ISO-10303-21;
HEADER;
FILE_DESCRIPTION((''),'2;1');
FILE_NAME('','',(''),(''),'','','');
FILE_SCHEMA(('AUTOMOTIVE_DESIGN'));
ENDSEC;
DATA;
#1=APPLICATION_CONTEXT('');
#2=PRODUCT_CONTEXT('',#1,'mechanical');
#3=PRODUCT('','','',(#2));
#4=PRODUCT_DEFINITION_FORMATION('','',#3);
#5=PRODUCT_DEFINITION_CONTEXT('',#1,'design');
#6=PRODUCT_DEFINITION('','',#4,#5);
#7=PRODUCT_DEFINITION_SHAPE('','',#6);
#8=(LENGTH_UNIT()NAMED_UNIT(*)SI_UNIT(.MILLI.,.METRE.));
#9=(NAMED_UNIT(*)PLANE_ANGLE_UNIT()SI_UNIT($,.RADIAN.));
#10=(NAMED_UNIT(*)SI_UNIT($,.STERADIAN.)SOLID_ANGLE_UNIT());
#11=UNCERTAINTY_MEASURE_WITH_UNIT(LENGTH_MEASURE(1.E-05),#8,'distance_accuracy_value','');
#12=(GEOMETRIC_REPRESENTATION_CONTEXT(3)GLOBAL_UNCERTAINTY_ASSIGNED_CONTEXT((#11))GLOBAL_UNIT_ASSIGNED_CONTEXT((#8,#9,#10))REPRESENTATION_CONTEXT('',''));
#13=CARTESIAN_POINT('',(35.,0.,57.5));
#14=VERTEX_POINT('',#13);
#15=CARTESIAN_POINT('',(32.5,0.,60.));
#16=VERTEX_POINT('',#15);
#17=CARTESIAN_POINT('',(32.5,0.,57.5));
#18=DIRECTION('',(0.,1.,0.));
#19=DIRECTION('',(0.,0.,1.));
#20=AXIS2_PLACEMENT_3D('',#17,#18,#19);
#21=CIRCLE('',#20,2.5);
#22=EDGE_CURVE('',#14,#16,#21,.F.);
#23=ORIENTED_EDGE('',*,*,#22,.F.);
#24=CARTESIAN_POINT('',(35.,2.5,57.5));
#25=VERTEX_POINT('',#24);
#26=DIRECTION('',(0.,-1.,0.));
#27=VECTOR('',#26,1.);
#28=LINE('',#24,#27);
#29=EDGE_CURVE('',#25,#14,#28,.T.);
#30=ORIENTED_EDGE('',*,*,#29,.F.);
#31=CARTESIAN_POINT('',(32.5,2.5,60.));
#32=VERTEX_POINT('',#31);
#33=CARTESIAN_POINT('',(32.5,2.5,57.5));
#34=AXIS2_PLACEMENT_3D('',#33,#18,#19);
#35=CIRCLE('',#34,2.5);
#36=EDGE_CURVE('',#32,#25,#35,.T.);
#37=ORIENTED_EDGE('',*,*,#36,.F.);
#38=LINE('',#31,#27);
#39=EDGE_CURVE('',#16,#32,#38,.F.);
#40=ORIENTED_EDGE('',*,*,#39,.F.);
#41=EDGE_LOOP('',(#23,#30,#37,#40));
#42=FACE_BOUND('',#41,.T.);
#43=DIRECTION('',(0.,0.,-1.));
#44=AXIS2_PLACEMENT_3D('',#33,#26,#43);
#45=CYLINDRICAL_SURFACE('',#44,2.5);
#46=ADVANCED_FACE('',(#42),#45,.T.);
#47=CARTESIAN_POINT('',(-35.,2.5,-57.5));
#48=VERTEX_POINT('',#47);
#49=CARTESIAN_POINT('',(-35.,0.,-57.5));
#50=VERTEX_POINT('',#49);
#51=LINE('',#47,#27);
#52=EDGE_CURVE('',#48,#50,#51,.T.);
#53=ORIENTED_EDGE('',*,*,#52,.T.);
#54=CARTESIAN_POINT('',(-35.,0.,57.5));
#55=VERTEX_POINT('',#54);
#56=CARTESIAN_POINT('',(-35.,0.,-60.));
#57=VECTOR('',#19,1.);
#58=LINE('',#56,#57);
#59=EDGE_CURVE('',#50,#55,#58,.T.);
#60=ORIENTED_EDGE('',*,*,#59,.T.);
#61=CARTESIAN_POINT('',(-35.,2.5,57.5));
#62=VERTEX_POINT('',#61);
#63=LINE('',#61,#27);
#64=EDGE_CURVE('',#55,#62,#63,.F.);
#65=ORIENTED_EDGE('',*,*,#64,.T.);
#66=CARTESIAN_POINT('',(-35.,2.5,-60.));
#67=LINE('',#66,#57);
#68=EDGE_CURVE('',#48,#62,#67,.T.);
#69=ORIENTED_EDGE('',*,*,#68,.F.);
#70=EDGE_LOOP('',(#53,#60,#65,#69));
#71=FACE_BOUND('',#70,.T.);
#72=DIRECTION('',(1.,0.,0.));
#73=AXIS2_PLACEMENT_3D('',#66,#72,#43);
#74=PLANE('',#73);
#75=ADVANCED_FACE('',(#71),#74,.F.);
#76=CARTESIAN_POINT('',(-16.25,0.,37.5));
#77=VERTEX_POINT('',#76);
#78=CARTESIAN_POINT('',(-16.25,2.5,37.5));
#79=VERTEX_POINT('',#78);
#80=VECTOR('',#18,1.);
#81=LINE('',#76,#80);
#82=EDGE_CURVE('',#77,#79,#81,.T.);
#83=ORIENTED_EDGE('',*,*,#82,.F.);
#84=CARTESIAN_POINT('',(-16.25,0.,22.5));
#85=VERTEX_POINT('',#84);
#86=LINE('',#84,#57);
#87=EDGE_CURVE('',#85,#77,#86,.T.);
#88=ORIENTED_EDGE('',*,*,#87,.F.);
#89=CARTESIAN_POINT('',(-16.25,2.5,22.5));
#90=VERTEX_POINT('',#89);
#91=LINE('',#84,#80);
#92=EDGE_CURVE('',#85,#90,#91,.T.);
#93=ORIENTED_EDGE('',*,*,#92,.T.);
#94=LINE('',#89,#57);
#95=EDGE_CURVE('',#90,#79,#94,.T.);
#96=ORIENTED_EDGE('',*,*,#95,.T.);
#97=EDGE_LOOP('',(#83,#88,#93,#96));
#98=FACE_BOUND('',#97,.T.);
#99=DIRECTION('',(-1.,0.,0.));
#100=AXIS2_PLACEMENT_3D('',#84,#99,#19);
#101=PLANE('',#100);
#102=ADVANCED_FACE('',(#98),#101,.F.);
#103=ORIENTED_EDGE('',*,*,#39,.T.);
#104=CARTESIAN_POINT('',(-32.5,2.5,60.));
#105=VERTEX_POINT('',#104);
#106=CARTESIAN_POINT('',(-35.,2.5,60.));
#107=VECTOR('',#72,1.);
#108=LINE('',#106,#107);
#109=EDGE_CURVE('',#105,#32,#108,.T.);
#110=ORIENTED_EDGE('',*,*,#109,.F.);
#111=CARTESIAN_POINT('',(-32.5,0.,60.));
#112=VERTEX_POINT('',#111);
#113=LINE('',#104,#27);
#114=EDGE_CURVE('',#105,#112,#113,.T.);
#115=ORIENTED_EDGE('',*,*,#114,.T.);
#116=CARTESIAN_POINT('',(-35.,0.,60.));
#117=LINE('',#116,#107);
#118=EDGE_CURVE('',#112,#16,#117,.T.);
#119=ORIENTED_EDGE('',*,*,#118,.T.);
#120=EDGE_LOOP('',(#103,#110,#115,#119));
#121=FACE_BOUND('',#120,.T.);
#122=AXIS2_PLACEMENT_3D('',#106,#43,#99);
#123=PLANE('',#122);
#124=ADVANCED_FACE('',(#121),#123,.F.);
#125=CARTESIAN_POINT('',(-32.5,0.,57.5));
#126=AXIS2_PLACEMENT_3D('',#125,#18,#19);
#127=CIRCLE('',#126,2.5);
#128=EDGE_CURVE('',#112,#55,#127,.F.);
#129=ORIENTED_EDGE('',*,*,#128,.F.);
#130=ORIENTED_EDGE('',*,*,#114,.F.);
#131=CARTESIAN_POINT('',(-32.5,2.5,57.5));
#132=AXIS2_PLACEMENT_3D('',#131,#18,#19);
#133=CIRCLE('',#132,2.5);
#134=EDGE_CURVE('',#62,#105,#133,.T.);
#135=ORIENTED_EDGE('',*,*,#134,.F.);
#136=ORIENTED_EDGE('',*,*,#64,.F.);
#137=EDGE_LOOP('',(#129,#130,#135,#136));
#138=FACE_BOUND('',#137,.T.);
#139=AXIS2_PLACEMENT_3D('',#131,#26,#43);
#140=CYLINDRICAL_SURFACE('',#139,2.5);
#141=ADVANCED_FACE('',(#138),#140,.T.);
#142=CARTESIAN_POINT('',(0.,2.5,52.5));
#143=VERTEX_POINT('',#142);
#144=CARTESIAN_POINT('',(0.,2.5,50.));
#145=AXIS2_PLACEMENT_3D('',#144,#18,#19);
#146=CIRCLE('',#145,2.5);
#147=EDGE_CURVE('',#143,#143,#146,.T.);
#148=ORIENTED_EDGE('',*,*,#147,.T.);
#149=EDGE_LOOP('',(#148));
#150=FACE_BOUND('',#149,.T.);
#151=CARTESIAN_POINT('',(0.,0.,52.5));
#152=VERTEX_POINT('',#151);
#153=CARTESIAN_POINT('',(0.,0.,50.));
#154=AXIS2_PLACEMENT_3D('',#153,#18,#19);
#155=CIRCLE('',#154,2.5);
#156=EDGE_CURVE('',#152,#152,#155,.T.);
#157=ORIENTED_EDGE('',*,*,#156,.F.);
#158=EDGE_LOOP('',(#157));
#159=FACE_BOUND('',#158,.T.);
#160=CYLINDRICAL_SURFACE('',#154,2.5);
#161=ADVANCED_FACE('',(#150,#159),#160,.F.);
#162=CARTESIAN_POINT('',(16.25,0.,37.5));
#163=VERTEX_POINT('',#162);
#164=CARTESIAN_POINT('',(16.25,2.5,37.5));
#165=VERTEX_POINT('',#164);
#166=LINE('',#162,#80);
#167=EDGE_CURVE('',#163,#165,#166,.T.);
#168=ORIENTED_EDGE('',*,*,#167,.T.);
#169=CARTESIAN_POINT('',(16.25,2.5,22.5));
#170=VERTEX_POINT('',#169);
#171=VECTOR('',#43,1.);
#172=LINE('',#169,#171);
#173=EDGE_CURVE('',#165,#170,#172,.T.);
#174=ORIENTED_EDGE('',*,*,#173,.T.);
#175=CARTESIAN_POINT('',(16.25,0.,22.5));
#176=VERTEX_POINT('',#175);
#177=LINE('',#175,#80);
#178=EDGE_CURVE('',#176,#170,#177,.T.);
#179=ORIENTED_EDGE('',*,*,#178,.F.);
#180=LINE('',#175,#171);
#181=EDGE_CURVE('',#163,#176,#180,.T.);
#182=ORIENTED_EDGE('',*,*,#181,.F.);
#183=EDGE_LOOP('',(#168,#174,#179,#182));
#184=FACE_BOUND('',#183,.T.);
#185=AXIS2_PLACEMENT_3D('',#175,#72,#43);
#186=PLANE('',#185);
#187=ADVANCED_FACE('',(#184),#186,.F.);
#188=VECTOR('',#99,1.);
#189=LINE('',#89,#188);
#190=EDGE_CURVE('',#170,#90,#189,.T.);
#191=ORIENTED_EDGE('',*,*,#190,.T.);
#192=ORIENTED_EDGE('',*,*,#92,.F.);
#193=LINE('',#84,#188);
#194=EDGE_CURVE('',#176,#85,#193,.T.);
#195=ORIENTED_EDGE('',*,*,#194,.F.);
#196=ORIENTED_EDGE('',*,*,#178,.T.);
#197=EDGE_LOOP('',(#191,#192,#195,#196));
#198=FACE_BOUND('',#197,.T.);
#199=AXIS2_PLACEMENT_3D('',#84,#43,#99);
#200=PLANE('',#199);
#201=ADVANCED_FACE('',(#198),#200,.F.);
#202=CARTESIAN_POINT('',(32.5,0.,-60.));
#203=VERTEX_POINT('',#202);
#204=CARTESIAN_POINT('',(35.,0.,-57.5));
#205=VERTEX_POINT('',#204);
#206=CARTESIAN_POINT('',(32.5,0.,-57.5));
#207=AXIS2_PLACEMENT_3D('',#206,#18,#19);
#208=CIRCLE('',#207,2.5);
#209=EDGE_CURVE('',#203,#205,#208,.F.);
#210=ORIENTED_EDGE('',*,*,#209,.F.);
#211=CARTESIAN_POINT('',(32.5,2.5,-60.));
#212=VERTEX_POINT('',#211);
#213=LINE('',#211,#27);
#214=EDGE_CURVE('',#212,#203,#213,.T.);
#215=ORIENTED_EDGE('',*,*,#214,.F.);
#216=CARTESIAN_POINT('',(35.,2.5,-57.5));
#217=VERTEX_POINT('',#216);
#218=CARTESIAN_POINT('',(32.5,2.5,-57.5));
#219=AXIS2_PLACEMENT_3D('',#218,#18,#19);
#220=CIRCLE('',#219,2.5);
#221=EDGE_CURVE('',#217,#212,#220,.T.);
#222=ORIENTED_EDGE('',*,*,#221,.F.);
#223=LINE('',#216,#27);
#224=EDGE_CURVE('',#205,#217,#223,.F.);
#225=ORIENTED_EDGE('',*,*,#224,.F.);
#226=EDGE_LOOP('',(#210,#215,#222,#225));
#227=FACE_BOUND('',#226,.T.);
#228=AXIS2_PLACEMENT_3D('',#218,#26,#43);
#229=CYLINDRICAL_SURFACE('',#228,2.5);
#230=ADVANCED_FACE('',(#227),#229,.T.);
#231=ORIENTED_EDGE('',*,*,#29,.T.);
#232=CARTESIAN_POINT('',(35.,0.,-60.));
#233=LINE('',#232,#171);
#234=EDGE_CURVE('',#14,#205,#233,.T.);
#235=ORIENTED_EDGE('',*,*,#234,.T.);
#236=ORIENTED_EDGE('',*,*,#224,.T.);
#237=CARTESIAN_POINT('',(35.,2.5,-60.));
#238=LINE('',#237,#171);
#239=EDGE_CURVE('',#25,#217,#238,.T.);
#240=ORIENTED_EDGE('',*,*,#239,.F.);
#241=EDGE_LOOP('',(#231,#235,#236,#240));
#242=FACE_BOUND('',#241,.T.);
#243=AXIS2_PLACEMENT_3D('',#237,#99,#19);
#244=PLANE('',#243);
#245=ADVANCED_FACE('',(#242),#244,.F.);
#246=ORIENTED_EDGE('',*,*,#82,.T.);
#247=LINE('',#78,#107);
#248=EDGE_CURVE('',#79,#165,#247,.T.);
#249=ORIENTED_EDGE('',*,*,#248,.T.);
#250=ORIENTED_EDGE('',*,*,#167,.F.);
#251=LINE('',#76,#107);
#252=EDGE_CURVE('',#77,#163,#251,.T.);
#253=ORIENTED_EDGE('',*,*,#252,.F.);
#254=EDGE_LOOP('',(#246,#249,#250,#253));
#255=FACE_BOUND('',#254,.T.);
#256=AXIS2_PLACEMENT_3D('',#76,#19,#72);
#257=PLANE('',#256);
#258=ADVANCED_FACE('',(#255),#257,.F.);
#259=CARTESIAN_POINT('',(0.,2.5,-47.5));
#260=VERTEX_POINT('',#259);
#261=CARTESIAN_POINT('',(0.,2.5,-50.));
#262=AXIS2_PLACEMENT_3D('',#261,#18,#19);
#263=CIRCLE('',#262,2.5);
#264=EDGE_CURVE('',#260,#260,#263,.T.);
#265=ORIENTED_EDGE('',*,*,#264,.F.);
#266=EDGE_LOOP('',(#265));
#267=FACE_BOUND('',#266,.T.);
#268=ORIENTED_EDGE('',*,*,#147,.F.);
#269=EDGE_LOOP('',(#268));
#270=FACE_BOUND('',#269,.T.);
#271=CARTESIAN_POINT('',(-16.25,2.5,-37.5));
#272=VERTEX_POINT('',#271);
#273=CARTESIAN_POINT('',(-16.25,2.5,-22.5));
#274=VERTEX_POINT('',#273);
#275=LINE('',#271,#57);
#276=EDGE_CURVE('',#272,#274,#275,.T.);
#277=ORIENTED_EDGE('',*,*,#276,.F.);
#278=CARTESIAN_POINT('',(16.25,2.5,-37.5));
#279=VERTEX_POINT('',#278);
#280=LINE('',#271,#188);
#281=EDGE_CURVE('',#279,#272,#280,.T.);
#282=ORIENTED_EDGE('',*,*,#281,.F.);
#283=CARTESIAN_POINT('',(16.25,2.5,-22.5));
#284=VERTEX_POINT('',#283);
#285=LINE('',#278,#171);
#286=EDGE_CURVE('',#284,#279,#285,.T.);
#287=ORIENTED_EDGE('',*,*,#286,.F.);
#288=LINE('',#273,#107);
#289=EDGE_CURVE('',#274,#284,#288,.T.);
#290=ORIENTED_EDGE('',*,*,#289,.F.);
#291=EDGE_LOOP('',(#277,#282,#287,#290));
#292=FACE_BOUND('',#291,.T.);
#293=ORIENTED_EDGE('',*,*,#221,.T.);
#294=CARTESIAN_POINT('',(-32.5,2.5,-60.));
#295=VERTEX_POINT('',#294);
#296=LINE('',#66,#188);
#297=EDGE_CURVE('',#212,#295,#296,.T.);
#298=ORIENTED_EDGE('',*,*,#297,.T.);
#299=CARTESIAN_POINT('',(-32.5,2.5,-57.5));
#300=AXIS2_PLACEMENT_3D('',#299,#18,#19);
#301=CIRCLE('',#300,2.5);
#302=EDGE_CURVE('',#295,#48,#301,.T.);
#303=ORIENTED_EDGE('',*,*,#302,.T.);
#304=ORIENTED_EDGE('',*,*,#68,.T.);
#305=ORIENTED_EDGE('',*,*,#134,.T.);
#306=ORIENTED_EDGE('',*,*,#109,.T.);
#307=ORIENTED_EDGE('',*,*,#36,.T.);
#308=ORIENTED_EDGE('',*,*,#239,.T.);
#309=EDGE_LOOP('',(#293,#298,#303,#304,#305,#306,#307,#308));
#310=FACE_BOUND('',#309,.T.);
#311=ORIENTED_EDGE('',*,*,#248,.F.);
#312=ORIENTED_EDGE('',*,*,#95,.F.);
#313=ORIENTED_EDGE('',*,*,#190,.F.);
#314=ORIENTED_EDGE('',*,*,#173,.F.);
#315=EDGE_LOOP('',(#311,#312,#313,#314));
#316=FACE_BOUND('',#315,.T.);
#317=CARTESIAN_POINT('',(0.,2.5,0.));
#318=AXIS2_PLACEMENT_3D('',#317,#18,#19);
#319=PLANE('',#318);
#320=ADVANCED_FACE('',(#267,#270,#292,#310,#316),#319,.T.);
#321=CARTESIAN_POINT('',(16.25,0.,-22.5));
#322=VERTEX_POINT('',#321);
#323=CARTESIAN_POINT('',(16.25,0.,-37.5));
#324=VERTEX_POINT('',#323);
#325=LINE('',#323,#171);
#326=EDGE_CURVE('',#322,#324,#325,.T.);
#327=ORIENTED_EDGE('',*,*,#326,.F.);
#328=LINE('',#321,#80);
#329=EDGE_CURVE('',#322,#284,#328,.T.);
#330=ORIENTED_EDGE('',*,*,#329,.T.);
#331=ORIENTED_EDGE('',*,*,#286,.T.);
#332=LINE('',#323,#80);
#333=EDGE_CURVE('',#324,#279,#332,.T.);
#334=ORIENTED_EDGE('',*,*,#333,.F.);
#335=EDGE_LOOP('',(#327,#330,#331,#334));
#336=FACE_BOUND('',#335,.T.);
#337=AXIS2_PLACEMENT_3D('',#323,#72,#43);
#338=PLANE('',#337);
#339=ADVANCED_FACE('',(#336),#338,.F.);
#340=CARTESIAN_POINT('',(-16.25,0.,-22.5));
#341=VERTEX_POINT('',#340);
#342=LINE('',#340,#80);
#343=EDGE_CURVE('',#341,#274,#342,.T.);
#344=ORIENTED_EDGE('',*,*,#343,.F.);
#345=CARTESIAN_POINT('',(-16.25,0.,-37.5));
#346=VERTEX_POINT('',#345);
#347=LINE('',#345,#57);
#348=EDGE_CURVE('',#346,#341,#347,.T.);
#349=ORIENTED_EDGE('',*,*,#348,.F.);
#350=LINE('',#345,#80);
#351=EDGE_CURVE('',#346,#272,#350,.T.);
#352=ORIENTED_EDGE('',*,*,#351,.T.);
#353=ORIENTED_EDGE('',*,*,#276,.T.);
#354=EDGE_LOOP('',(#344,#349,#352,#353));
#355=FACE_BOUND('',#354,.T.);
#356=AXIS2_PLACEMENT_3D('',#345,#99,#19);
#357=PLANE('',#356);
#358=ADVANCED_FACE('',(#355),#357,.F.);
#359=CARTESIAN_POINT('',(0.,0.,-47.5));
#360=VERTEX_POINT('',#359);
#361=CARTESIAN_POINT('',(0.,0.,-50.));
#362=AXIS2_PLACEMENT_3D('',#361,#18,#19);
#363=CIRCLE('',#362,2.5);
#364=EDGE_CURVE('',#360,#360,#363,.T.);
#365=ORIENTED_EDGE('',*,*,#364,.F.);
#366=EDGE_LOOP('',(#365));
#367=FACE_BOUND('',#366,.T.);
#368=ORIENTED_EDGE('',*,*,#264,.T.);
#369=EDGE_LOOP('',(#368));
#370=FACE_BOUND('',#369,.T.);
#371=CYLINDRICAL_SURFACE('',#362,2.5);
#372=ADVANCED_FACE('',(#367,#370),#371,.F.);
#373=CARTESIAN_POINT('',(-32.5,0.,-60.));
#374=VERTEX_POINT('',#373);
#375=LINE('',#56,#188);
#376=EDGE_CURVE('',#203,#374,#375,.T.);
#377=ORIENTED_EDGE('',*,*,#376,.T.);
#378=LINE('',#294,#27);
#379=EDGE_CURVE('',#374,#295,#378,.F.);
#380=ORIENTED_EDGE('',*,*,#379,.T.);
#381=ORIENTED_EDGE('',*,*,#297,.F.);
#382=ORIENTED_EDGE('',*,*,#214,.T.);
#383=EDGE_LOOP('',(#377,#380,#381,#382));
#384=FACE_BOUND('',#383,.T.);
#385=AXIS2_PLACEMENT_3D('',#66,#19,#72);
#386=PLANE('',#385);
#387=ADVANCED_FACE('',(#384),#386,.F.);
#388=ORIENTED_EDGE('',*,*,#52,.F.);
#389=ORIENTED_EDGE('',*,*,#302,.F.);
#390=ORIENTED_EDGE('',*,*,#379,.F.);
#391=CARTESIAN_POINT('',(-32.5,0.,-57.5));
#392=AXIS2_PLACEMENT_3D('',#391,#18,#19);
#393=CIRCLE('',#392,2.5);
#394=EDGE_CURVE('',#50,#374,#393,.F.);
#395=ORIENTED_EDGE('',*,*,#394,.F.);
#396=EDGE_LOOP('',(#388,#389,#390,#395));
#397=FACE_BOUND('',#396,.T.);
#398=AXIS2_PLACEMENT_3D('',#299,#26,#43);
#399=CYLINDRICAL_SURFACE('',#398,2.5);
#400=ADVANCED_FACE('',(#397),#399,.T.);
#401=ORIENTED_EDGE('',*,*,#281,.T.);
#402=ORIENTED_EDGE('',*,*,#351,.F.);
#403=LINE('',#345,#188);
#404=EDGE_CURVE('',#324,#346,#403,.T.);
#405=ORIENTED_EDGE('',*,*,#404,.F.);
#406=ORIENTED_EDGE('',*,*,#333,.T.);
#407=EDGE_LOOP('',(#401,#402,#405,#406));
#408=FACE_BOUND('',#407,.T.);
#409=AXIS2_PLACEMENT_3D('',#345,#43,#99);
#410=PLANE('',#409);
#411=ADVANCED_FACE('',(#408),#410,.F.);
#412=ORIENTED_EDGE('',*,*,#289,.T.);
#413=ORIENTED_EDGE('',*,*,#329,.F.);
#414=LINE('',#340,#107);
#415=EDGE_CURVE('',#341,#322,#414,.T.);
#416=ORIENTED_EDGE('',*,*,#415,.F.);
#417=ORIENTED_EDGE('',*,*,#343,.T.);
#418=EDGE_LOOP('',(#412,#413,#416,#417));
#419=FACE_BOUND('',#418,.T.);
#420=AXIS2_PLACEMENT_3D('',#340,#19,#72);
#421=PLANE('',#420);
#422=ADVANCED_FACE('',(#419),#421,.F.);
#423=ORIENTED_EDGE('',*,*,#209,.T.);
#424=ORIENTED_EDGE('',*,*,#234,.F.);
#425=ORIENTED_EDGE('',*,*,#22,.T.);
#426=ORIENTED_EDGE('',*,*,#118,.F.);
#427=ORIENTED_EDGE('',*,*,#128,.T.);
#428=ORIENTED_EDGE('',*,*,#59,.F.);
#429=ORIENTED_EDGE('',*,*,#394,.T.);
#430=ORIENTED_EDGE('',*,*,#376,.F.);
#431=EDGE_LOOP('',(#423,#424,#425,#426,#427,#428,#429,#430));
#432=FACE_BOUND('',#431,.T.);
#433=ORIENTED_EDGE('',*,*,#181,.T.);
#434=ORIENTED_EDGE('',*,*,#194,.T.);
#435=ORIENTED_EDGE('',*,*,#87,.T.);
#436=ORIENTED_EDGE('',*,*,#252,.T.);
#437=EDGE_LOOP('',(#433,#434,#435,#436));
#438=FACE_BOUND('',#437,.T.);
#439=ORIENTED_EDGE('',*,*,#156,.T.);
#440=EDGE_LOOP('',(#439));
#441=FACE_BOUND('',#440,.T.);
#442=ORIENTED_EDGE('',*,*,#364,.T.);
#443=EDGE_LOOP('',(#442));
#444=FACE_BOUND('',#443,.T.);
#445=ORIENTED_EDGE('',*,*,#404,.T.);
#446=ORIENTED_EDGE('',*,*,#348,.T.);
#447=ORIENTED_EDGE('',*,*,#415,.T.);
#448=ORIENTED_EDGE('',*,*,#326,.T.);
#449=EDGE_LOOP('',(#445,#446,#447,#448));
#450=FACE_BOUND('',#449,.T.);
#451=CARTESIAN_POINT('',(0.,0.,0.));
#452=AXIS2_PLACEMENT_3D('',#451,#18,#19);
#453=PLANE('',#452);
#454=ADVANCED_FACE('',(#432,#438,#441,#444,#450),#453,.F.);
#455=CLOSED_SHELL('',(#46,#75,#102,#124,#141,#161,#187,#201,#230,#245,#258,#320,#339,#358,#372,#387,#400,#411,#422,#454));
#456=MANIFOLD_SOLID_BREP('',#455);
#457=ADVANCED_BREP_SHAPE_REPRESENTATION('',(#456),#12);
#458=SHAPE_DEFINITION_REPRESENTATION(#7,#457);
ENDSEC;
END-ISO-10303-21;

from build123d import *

# Parameters (mm, degrees)
CROQUIS1_W              = 70
CROQUIS1_H              = 120
SALIENTE_EXTRUIR1_DEPTH = 2.5
REDONDEO1_R             = 2.5
CROQUIS2_W              = 32.5
CROQUIS2_H              = 15
CORTAR_EXTRUIR1_DEPTH   = 70.507193872
CROQUIS3_R              = 2.5
CORTAR_EXTRUIR2_DEPTH   = 70.507193872


with BuildPart() as part:
    # Croquis1 → Saliente-Extruir1 (new body)
    with BuildSketch(Plane(origin=(0, 0, 0), x_dir=(1, 0, 0), z_dir=(0, 1, 0))):
        Rectangle(CROQUIS1_W, CROQUIS1_H)
    extrude(amount=SALIENTE_EXTRUIR1_DEPTH)

    # Redondeo1
    redondeo1_edges = [part.edges().sort_by_distance(p)[0] for p in [
        (35, 1.25, 60),
        (-35, 1.25, 60),
        (-35, 1.25, -60),
        (35, 1.25, -60),
    ]]
    fillet(redondeo1_edges, radius=REDONDEO1_R)

    # Croquis2 → Cortar-Extruir1 (cut, through all)
    with BuildSketch(Plane(origin=(0, 2.5, 0), x_dir=(1, 0, 0), z_dir=(0, 1, 0))):
        with Locations((0, 30)):
            Rectangle(CROQUIS2_W, CROQUIS2_H)
        with Locations((0, -30)):
            Rectangle(CROQUIS2_W, CROQUIS2_H)
    extrude(amount=-CORTAR_EXTRUIR1_DEPTH, mode=Mode.SUBTRACT)

    # Croquis3 → Cortar-Extruir2 (cut, through all)
    with BuildSketch(Plane(origin=(0, 2.5, 0), x_dir=(1, 0, 0), z_dir=(0, 1, 0))):
        with Locations(Location((0, 50, 0), (0, 0, 270))):
            Circle(CROQUIS3_R)
        with Locations(Location((0, -50, 0), (0, 0, 270))):
            Circle(CROQUIS3_R)
    extrude(amount=-CORTAR_EXTRUIR2_DEPTH, mode=Mode.SUBTRACT)


solid = part.part
